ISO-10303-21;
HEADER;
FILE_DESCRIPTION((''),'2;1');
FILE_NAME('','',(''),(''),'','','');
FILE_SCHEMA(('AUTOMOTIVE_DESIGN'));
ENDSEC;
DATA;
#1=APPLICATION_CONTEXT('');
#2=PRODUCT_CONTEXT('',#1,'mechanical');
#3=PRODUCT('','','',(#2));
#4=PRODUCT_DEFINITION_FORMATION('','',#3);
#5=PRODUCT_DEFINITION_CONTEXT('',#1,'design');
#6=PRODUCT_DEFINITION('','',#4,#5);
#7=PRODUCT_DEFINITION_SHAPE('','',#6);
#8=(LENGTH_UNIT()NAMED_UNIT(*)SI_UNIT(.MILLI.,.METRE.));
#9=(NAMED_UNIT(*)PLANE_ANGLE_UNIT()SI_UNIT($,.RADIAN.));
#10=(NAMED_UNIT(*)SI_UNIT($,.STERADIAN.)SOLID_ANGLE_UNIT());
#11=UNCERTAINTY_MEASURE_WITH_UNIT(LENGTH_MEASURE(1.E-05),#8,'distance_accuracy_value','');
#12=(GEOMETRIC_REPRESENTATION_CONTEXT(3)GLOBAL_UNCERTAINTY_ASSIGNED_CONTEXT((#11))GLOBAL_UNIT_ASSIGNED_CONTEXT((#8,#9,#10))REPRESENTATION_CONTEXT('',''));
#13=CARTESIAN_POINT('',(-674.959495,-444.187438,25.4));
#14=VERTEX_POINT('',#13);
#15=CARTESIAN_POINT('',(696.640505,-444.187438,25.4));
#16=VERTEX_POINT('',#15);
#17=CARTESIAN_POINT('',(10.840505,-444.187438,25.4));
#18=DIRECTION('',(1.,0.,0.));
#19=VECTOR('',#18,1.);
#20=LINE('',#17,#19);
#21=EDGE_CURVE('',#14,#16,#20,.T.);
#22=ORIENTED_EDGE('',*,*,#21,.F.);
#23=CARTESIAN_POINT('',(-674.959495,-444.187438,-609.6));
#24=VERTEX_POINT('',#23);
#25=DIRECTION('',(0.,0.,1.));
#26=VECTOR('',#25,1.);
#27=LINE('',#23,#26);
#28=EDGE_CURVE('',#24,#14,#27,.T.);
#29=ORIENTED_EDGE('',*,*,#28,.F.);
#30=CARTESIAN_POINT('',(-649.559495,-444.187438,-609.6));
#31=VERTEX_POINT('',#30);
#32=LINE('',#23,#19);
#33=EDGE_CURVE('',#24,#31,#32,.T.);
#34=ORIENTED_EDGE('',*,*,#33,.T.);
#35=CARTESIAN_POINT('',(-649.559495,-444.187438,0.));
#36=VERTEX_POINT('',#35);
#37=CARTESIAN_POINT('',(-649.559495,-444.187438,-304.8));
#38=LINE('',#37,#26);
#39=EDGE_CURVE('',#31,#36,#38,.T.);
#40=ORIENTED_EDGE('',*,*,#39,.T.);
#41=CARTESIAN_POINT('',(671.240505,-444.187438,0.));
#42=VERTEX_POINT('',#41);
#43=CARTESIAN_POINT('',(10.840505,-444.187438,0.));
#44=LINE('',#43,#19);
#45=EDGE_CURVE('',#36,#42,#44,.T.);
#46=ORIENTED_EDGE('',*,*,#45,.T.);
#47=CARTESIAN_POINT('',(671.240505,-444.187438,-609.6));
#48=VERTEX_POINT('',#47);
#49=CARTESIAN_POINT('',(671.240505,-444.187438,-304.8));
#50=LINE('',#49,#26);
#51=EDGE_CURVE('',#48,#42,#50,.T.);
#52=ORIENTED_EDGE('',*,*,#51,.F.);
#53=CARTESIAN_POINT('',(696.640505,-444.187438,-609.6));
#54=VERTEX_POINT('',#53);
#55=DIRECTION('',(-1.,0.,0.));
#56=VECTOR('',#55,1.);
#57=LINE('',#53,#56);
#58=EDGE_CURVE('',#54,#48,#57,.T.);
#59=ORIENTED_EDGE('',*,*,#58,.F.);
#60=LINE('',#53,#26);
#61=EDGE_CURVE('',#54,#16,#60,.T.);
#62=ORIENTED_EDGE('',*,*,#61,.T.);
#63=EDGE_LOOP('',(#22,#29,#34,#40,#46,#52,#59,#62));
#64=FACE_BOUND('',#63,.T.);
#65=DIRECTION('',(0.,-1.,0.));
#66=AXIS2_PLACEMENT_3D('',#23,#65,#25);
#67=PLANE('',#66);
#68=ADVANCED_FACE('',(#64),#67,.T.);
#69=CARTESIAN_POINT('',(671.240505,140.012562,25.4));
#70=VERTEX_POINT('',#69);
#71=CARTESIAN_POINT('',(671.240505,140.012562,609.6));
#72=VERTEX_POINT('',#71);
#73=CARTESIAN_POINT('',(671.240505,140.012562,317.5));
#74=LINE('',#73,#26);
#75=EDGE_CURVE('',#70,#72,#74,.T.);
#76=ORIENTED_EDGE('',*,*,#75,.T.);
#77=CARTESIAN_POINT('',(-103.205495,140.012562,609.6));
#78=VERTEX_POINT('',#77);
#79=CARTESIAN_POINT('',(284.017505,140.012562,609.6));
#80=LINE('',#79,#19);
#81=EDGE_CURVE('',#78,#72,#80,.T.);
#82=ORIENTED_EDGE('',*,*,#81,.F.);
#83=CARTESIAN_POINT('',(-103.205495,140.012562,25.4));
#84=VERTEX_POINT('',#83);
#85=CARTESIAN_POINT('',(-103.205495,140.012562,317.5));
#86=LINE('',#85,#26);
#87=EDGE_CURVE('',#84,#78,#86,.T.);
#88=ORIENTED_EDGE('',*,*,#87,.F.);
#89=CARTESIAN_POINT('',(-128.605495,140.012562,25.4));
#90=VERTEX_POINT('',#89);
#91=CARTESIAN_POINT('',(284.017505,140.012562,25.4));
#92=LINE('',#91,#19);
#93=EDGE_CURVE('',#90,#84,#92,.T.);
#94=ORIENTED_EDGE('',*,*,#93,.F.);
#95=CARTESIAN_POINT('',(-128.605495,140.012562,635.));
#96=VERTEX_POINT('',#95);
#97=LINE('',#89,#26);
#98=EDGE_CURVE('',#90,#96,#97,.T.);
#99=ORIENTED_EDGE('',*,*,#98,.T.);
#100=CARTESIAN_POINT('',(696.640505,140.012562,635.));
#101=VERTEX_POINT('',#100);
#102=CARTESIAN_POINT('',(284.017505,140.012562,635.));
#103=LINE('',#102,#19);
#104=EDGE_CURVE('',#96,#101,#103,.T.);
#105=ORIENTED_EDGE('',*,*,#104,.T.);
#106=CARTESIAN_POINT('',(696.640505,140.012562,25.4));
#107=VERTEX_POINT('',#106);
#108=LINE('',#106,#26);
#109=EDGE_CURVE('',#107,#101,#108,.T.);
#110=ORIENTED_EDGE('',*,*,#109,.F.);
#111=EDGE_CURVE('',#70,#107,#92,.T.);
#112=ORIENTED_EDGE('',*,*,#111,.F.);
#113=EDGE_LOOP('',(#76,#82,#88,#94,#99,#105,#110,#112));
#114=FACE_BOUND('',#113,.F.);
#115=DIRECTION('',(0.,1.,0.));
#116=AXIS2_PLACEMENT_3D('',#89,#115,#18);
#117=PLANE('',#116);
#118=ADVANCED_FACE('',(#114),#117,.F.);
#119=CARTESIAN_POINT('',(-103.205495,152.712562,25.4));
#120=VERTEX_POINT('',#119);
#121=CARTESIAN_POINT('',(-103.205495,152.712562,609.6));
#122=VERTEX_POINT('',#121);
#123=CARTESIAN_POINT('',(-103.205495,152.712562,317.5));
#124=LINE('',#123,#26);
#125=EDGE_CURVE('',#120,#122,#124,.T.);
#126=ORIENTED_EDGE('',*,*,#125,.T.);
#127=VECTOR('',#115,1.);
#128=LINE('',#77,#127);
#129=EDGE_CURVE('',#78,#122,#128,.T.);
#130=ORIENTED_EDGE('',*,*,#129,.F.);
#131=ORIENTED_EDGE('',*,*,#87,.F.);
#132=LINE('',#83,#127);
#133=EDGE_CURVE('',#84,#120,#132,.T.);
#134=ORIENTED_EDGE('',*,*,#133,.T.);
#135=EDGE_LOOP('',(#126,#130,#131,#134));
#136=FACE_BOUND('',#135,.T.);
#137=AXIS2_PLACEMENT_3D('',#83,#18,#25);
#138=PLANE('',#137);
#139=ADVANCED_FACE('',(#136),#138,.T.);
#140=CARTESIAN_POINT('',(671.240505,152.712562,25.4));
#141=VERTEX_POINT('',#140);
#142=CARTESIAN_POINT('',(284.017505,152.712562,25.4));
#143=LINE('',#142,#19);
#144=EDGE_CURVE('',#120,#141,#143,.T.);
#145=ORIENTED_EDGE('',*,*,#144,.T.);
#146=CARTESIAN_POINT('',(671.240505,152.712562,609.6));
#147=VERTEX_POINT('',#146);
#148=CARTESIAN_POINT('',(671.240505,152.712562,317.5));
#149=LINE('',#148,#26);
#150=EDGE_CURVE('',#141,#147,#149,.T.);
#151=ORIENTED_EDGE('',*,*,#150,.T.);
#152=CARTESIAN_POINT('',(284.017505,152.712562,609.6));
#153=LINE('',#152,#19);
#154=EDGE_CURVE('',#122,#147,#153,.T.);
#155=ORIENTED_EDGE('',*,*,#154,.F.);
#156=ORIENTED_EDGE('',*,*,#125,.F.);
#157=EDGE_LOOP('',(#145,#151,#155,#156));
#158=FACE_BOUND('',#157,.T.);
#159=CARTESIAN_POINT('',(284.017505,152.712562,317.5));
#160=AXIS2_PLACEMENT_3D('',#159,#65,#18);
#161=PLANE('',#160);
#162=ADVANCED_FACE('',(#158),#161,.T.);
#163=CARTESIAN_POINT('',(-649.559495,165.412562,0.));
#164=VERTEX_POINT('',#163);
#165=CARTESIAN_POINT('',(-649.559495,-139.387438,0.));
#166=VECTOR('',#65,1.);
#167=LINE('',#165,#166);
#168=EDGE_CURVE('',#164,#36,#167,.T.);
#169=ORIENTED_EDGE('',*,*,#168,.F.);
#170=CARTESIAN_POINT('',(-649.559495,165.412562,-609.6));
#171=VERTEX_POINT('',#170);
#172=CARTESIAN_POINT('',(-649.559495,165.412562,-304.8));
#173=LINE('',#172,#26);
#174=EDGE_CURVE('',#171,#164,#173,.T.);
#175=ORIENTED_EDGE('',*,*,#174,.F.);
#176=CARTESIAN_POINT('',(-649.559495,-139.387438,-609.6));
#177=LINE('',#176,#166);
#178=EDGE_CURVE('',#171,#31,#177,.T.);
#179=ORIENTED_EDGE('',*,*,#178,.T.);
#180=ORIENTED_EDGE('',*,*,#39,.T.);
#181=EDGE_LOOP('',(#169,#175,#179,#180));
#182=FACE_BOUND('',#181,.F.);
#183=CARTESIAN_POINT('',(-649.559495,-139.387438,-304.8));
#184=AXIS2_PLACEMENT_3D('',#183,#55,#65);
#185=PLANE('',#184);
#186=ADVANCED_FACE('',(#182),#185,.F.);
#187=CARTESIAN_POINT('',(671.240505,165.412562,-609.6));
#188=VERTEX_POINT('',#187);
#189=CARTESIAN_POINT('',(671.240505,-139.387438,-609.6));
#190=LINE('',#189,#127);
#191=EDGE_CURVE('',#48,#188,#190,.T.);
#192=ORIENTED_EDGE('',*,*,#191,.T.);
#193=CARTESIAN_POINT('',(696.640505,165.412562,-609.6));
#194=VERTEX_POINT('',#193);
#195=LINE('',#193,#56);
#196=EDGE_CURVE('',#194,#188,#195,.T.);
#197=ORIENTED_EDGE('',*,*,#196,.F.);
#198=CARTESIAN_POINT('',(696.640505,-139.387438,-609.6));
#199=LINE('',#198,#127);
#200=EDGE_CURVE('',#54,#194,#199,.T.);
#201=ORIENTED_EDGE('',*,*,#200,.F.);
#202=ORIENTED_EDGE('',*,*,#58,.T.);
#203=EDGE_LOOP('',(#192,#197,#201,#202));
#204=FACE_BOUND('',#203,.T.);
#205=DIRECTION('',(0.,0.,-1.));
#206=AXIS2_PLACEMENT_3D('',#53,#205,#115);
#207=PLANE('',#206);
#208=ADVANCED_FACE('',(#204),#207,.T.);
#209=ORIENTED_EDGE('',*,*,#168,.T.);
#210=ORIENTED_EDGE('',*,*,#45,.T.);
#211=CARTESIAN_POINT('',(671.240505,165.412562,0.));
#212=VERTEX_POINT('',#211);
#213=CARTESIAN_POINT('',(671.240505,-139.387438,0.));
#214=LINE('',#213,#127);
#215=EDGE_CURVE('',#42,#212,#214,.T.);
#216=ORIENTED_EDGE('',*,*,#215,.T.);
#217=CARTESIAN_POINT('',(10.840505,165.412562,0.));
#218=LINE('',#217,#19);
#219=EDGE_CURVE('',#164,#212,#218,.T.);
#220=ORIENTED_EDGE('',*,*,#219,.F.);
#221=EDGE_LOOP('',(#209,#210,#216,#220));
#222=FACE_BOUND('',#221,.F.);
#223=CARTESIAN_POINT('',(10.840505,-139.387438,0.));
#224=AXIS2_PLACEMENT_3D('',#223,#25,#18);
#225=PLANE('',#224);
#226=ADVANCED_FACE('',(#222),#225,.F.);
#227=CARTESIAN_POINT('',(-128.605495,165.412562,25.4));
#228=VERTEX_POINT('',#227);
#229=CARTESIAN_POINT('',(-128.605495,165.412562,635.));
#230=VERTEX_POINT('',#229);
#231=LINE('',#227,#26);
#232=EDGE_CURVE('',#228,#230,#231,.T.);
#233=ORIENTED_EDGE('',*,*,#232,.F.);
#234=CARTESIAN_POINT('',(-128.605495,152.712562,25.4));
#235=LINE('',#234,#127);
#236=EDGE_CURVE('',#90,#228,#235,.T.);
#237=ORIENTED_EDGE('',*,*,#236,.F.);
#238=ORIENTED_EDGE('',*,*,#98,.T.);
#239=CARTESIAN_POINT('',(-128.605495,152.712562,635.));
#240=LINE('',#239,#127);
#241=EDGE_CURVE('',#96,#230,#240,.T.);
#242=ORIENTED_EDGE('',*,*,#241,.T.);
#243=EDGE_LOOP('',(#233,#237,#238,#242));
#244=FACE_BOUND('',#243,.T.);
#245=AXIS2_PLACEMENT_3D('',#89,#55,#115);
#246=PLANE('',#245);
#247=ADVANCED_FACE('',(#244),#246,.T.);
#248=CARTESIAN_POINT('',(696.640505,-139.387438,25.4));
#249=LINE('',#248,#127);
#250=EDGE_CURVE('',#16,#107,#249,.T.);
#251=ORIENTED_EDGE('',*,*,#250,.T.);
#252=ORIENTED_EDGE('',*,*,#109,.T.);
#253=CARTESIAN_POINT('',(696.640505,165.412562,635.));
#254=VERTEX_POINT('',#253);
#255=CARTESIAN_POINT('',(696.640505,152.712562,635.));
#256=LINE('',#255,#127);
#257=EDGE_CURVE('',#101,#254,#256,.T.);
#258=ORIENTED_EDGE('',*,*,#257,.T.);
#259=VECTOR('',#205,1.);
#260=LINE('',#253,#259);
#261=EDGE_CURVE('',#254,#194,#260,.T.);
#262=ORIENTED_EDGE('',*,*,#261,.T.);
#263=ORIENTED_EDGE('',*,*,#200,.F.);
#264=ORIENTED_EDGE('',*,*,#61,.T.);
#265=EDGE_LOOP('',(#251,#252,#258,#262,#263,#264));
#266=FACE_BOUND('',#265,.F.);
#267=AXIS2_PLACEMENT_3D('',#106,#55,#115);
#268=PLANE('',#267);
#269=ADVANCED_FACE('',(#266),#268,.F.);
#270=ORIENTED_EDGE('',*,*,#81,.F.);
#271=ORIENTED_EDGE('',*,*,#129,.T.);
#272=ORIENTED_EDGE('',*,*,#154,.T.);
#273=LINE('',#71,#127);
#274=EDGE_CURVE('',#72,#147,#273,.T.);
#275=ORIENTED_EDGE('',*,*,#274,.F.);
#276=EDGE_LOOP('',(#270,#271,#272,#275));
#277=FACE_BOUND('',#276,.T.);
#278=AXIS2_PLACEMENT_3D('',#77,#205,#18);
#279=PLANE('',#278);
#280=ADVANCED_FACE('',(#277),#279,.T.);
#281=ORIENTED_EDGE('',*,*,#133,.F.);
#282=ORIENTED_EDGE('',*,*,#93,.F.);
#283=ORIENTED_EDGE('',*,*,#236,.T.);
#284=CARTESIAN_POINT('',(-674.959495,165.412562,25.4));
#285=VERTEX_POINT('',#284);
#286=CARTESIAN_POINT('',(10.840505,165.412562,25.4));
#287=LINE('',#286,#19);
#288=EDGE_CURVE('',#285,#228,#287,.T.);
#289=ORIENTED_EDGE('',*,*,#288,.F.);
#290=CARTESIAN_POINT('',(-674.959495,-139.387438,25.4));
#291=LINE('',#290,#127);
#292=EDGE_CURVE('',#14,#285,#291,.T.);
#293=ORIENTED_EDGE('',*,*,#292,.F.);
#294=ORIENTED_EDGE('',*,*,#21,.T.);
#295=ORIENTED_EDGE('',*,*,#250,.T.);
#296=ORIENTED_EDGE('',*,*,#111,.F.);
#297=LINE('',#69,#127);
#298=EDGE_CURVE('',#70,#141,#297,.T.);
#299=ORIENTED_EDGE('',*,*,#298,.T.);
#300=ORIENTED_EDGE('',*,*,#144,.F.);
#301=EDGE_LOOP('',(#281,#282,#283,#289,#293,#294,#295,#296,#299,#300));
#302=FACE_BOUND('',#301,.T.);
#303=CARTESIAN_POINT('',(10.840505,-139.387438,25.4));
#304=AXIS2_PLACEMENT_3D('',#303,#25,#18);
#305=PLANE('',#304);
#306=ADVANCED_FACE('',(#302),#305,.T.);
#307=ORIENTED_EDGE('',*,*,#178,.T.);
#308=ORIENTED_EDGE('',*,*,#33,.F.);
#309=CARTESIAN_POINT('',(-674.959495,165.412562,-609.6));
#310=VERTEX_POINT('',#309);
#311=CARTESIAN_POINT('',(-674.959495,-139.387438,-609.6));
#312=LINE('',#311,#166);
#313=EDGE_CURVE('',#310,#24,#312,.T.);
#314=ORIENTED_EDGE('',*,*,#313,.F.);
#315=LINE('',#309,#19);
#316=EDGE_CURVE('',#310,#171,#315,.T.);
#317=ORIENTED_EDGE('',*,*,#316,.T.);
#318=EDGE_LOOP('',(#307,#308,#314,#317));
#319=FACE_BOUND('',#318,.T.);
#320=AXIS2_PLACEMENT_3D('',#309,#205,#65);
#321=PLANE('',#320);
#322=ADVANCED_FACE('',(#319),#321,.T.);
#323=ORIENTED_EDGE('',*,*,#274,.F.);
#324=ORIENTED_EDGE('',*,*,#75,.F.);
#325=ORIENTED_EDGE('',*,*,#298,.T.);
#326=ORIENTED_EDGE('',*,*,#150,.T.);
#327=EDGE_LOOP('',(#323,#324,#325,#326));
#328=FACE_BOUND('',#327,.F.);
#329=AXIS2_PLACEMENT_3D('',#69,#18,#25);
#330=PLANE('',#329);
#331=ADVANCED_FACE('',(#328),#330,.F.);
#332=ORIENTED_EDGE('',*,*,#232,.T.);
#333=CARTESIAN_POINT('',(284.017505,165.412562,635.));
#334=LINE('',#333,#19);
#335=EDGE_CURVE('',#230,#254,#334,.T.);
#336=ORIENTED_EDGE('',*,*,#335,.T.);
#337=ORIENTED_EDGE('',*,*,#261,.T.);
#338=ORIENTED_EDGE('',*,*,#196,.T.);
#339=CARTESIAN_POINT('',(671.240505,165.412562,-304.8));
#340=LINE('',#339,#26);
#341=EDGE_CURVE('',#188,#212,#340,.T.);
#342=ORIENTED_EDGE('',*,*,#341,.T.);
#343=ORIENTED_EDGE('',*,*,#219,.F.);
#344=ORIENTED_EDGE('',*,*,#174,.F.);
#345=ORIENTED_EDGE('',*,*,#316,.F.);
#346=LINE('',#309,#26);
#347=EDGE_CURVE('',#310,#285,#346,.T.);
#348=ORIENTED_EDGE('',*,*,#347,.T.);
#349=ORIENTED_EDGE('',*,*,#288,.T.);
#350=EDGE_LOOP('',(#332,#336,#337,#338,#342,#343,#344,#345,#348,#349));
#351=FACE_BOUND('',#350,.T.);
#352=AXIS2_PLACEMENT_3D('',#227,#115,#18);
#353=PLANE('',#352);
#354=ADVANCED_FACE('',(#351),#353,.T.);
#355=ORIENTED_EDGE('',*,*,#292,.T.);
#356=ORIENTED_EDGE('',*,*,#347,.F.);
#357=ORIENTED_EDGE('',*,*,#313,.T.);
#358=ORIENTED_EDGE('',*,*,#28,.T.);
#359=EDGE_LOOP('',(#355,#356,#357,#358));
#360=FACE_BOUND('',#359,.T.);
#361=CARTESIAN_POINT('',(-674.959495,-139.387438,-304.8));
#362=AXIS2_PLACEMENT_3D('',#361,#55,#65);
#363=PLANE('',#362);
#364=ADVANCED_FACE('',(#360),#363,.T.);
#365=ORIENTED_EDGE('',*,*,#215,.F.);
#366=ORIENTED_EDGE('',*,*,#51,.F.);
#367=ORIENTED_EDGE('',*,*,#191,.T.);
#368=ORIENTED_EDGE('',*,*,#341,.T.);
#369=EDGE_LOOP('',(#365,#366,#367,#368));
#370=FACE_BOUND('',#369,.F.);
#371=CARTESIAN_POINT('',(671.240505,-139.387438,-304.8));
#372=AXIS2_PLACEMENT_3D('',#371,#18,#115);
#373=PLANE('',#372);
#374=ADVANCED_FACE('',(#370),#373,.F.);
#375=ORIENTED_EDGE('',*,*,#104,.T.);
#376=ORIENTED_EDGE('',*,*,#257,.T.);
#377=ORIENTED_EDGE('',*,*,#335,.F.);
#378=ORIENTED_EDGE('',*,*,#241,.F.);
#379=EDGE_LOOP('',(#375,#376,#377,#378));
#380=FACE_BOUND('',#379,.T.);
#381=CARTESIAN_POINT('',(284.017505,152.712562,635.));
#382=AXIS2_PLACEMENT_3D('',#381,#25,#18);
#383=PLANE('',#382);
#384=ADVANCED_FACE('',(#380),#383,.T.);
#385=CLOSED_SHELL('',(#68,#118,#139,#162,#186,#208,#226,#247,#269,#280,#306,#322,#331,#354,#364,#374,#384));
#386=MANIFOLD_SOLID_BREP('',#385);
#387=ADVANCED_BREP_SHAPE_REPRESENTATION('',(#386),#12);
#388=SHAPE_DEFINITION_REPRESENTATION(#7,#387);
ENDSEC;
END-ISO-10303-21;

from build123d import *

# Parameters (mm, degrees)
F0_W     = 1371.6
F0_H     = 609.6
F1_DEPTH = 25.4
F2_W     = 609.6
F2_H     = 609.6
F3_DEPTH = 25.4
F4_W     = 609.6
F4_H     = 609.6
F5_DEPTH = 25.4
F6_W     = 825.246
F6_H     = 25.4
F7_DEPTH = 609.6
F8_W     = 774.446
F8_H     = 584.2
F9_DEPTH = 12.7


with BuildPart() as f1:
    # F0 (on Top) → F1 (new body)
    with BuildSketch(Plane.XY):
        with Locations((10.840505, -139.387438)):
            Rectangle(F0_W, F0_H)
    extrude(amount=F1_DEPTH)

    # F2 (on face) → F3 (join)
    with BuildSketch(Plane.YZ.offset(696.640505)):
        with Locations((-139.387438, -304.8)):
            Rectangle(F2_W, F2_H)
    extrude(amount=-F3_DEPTH)

    # F4 (on face) → F5 (join)
    with BuildSketch(Plane(origin=(-674.959495, 0, 0), x_dir=(0, -1, 0), z_dir=(-1, 0, 0))):
        with Locations((139.387438, -304.8)):
            Rectangle(F4_W, F4_H)
    extrude(amount=-F5_DEPTH)

    # F6 (on face) → F7 (join)
    with BuildSketch(Plane.XY.offset(25.4)):
        with Locations((284.017505, 152.712562)):
            Rectangle(F6_W, F6_H)
    extrude(amount=F7_DEPTH)

    # F8 (on face) → F9 (cut)
    with BuildSketch(Plane.XZ.offset(-140.012562)):
        with Locations((284.017505, 317.5)):
            Rectangle(F8_W, F8_H)
    extrude(amount=-F9_DEPTH, mode=Mode.SUBTRACT)


solid = f1.part
